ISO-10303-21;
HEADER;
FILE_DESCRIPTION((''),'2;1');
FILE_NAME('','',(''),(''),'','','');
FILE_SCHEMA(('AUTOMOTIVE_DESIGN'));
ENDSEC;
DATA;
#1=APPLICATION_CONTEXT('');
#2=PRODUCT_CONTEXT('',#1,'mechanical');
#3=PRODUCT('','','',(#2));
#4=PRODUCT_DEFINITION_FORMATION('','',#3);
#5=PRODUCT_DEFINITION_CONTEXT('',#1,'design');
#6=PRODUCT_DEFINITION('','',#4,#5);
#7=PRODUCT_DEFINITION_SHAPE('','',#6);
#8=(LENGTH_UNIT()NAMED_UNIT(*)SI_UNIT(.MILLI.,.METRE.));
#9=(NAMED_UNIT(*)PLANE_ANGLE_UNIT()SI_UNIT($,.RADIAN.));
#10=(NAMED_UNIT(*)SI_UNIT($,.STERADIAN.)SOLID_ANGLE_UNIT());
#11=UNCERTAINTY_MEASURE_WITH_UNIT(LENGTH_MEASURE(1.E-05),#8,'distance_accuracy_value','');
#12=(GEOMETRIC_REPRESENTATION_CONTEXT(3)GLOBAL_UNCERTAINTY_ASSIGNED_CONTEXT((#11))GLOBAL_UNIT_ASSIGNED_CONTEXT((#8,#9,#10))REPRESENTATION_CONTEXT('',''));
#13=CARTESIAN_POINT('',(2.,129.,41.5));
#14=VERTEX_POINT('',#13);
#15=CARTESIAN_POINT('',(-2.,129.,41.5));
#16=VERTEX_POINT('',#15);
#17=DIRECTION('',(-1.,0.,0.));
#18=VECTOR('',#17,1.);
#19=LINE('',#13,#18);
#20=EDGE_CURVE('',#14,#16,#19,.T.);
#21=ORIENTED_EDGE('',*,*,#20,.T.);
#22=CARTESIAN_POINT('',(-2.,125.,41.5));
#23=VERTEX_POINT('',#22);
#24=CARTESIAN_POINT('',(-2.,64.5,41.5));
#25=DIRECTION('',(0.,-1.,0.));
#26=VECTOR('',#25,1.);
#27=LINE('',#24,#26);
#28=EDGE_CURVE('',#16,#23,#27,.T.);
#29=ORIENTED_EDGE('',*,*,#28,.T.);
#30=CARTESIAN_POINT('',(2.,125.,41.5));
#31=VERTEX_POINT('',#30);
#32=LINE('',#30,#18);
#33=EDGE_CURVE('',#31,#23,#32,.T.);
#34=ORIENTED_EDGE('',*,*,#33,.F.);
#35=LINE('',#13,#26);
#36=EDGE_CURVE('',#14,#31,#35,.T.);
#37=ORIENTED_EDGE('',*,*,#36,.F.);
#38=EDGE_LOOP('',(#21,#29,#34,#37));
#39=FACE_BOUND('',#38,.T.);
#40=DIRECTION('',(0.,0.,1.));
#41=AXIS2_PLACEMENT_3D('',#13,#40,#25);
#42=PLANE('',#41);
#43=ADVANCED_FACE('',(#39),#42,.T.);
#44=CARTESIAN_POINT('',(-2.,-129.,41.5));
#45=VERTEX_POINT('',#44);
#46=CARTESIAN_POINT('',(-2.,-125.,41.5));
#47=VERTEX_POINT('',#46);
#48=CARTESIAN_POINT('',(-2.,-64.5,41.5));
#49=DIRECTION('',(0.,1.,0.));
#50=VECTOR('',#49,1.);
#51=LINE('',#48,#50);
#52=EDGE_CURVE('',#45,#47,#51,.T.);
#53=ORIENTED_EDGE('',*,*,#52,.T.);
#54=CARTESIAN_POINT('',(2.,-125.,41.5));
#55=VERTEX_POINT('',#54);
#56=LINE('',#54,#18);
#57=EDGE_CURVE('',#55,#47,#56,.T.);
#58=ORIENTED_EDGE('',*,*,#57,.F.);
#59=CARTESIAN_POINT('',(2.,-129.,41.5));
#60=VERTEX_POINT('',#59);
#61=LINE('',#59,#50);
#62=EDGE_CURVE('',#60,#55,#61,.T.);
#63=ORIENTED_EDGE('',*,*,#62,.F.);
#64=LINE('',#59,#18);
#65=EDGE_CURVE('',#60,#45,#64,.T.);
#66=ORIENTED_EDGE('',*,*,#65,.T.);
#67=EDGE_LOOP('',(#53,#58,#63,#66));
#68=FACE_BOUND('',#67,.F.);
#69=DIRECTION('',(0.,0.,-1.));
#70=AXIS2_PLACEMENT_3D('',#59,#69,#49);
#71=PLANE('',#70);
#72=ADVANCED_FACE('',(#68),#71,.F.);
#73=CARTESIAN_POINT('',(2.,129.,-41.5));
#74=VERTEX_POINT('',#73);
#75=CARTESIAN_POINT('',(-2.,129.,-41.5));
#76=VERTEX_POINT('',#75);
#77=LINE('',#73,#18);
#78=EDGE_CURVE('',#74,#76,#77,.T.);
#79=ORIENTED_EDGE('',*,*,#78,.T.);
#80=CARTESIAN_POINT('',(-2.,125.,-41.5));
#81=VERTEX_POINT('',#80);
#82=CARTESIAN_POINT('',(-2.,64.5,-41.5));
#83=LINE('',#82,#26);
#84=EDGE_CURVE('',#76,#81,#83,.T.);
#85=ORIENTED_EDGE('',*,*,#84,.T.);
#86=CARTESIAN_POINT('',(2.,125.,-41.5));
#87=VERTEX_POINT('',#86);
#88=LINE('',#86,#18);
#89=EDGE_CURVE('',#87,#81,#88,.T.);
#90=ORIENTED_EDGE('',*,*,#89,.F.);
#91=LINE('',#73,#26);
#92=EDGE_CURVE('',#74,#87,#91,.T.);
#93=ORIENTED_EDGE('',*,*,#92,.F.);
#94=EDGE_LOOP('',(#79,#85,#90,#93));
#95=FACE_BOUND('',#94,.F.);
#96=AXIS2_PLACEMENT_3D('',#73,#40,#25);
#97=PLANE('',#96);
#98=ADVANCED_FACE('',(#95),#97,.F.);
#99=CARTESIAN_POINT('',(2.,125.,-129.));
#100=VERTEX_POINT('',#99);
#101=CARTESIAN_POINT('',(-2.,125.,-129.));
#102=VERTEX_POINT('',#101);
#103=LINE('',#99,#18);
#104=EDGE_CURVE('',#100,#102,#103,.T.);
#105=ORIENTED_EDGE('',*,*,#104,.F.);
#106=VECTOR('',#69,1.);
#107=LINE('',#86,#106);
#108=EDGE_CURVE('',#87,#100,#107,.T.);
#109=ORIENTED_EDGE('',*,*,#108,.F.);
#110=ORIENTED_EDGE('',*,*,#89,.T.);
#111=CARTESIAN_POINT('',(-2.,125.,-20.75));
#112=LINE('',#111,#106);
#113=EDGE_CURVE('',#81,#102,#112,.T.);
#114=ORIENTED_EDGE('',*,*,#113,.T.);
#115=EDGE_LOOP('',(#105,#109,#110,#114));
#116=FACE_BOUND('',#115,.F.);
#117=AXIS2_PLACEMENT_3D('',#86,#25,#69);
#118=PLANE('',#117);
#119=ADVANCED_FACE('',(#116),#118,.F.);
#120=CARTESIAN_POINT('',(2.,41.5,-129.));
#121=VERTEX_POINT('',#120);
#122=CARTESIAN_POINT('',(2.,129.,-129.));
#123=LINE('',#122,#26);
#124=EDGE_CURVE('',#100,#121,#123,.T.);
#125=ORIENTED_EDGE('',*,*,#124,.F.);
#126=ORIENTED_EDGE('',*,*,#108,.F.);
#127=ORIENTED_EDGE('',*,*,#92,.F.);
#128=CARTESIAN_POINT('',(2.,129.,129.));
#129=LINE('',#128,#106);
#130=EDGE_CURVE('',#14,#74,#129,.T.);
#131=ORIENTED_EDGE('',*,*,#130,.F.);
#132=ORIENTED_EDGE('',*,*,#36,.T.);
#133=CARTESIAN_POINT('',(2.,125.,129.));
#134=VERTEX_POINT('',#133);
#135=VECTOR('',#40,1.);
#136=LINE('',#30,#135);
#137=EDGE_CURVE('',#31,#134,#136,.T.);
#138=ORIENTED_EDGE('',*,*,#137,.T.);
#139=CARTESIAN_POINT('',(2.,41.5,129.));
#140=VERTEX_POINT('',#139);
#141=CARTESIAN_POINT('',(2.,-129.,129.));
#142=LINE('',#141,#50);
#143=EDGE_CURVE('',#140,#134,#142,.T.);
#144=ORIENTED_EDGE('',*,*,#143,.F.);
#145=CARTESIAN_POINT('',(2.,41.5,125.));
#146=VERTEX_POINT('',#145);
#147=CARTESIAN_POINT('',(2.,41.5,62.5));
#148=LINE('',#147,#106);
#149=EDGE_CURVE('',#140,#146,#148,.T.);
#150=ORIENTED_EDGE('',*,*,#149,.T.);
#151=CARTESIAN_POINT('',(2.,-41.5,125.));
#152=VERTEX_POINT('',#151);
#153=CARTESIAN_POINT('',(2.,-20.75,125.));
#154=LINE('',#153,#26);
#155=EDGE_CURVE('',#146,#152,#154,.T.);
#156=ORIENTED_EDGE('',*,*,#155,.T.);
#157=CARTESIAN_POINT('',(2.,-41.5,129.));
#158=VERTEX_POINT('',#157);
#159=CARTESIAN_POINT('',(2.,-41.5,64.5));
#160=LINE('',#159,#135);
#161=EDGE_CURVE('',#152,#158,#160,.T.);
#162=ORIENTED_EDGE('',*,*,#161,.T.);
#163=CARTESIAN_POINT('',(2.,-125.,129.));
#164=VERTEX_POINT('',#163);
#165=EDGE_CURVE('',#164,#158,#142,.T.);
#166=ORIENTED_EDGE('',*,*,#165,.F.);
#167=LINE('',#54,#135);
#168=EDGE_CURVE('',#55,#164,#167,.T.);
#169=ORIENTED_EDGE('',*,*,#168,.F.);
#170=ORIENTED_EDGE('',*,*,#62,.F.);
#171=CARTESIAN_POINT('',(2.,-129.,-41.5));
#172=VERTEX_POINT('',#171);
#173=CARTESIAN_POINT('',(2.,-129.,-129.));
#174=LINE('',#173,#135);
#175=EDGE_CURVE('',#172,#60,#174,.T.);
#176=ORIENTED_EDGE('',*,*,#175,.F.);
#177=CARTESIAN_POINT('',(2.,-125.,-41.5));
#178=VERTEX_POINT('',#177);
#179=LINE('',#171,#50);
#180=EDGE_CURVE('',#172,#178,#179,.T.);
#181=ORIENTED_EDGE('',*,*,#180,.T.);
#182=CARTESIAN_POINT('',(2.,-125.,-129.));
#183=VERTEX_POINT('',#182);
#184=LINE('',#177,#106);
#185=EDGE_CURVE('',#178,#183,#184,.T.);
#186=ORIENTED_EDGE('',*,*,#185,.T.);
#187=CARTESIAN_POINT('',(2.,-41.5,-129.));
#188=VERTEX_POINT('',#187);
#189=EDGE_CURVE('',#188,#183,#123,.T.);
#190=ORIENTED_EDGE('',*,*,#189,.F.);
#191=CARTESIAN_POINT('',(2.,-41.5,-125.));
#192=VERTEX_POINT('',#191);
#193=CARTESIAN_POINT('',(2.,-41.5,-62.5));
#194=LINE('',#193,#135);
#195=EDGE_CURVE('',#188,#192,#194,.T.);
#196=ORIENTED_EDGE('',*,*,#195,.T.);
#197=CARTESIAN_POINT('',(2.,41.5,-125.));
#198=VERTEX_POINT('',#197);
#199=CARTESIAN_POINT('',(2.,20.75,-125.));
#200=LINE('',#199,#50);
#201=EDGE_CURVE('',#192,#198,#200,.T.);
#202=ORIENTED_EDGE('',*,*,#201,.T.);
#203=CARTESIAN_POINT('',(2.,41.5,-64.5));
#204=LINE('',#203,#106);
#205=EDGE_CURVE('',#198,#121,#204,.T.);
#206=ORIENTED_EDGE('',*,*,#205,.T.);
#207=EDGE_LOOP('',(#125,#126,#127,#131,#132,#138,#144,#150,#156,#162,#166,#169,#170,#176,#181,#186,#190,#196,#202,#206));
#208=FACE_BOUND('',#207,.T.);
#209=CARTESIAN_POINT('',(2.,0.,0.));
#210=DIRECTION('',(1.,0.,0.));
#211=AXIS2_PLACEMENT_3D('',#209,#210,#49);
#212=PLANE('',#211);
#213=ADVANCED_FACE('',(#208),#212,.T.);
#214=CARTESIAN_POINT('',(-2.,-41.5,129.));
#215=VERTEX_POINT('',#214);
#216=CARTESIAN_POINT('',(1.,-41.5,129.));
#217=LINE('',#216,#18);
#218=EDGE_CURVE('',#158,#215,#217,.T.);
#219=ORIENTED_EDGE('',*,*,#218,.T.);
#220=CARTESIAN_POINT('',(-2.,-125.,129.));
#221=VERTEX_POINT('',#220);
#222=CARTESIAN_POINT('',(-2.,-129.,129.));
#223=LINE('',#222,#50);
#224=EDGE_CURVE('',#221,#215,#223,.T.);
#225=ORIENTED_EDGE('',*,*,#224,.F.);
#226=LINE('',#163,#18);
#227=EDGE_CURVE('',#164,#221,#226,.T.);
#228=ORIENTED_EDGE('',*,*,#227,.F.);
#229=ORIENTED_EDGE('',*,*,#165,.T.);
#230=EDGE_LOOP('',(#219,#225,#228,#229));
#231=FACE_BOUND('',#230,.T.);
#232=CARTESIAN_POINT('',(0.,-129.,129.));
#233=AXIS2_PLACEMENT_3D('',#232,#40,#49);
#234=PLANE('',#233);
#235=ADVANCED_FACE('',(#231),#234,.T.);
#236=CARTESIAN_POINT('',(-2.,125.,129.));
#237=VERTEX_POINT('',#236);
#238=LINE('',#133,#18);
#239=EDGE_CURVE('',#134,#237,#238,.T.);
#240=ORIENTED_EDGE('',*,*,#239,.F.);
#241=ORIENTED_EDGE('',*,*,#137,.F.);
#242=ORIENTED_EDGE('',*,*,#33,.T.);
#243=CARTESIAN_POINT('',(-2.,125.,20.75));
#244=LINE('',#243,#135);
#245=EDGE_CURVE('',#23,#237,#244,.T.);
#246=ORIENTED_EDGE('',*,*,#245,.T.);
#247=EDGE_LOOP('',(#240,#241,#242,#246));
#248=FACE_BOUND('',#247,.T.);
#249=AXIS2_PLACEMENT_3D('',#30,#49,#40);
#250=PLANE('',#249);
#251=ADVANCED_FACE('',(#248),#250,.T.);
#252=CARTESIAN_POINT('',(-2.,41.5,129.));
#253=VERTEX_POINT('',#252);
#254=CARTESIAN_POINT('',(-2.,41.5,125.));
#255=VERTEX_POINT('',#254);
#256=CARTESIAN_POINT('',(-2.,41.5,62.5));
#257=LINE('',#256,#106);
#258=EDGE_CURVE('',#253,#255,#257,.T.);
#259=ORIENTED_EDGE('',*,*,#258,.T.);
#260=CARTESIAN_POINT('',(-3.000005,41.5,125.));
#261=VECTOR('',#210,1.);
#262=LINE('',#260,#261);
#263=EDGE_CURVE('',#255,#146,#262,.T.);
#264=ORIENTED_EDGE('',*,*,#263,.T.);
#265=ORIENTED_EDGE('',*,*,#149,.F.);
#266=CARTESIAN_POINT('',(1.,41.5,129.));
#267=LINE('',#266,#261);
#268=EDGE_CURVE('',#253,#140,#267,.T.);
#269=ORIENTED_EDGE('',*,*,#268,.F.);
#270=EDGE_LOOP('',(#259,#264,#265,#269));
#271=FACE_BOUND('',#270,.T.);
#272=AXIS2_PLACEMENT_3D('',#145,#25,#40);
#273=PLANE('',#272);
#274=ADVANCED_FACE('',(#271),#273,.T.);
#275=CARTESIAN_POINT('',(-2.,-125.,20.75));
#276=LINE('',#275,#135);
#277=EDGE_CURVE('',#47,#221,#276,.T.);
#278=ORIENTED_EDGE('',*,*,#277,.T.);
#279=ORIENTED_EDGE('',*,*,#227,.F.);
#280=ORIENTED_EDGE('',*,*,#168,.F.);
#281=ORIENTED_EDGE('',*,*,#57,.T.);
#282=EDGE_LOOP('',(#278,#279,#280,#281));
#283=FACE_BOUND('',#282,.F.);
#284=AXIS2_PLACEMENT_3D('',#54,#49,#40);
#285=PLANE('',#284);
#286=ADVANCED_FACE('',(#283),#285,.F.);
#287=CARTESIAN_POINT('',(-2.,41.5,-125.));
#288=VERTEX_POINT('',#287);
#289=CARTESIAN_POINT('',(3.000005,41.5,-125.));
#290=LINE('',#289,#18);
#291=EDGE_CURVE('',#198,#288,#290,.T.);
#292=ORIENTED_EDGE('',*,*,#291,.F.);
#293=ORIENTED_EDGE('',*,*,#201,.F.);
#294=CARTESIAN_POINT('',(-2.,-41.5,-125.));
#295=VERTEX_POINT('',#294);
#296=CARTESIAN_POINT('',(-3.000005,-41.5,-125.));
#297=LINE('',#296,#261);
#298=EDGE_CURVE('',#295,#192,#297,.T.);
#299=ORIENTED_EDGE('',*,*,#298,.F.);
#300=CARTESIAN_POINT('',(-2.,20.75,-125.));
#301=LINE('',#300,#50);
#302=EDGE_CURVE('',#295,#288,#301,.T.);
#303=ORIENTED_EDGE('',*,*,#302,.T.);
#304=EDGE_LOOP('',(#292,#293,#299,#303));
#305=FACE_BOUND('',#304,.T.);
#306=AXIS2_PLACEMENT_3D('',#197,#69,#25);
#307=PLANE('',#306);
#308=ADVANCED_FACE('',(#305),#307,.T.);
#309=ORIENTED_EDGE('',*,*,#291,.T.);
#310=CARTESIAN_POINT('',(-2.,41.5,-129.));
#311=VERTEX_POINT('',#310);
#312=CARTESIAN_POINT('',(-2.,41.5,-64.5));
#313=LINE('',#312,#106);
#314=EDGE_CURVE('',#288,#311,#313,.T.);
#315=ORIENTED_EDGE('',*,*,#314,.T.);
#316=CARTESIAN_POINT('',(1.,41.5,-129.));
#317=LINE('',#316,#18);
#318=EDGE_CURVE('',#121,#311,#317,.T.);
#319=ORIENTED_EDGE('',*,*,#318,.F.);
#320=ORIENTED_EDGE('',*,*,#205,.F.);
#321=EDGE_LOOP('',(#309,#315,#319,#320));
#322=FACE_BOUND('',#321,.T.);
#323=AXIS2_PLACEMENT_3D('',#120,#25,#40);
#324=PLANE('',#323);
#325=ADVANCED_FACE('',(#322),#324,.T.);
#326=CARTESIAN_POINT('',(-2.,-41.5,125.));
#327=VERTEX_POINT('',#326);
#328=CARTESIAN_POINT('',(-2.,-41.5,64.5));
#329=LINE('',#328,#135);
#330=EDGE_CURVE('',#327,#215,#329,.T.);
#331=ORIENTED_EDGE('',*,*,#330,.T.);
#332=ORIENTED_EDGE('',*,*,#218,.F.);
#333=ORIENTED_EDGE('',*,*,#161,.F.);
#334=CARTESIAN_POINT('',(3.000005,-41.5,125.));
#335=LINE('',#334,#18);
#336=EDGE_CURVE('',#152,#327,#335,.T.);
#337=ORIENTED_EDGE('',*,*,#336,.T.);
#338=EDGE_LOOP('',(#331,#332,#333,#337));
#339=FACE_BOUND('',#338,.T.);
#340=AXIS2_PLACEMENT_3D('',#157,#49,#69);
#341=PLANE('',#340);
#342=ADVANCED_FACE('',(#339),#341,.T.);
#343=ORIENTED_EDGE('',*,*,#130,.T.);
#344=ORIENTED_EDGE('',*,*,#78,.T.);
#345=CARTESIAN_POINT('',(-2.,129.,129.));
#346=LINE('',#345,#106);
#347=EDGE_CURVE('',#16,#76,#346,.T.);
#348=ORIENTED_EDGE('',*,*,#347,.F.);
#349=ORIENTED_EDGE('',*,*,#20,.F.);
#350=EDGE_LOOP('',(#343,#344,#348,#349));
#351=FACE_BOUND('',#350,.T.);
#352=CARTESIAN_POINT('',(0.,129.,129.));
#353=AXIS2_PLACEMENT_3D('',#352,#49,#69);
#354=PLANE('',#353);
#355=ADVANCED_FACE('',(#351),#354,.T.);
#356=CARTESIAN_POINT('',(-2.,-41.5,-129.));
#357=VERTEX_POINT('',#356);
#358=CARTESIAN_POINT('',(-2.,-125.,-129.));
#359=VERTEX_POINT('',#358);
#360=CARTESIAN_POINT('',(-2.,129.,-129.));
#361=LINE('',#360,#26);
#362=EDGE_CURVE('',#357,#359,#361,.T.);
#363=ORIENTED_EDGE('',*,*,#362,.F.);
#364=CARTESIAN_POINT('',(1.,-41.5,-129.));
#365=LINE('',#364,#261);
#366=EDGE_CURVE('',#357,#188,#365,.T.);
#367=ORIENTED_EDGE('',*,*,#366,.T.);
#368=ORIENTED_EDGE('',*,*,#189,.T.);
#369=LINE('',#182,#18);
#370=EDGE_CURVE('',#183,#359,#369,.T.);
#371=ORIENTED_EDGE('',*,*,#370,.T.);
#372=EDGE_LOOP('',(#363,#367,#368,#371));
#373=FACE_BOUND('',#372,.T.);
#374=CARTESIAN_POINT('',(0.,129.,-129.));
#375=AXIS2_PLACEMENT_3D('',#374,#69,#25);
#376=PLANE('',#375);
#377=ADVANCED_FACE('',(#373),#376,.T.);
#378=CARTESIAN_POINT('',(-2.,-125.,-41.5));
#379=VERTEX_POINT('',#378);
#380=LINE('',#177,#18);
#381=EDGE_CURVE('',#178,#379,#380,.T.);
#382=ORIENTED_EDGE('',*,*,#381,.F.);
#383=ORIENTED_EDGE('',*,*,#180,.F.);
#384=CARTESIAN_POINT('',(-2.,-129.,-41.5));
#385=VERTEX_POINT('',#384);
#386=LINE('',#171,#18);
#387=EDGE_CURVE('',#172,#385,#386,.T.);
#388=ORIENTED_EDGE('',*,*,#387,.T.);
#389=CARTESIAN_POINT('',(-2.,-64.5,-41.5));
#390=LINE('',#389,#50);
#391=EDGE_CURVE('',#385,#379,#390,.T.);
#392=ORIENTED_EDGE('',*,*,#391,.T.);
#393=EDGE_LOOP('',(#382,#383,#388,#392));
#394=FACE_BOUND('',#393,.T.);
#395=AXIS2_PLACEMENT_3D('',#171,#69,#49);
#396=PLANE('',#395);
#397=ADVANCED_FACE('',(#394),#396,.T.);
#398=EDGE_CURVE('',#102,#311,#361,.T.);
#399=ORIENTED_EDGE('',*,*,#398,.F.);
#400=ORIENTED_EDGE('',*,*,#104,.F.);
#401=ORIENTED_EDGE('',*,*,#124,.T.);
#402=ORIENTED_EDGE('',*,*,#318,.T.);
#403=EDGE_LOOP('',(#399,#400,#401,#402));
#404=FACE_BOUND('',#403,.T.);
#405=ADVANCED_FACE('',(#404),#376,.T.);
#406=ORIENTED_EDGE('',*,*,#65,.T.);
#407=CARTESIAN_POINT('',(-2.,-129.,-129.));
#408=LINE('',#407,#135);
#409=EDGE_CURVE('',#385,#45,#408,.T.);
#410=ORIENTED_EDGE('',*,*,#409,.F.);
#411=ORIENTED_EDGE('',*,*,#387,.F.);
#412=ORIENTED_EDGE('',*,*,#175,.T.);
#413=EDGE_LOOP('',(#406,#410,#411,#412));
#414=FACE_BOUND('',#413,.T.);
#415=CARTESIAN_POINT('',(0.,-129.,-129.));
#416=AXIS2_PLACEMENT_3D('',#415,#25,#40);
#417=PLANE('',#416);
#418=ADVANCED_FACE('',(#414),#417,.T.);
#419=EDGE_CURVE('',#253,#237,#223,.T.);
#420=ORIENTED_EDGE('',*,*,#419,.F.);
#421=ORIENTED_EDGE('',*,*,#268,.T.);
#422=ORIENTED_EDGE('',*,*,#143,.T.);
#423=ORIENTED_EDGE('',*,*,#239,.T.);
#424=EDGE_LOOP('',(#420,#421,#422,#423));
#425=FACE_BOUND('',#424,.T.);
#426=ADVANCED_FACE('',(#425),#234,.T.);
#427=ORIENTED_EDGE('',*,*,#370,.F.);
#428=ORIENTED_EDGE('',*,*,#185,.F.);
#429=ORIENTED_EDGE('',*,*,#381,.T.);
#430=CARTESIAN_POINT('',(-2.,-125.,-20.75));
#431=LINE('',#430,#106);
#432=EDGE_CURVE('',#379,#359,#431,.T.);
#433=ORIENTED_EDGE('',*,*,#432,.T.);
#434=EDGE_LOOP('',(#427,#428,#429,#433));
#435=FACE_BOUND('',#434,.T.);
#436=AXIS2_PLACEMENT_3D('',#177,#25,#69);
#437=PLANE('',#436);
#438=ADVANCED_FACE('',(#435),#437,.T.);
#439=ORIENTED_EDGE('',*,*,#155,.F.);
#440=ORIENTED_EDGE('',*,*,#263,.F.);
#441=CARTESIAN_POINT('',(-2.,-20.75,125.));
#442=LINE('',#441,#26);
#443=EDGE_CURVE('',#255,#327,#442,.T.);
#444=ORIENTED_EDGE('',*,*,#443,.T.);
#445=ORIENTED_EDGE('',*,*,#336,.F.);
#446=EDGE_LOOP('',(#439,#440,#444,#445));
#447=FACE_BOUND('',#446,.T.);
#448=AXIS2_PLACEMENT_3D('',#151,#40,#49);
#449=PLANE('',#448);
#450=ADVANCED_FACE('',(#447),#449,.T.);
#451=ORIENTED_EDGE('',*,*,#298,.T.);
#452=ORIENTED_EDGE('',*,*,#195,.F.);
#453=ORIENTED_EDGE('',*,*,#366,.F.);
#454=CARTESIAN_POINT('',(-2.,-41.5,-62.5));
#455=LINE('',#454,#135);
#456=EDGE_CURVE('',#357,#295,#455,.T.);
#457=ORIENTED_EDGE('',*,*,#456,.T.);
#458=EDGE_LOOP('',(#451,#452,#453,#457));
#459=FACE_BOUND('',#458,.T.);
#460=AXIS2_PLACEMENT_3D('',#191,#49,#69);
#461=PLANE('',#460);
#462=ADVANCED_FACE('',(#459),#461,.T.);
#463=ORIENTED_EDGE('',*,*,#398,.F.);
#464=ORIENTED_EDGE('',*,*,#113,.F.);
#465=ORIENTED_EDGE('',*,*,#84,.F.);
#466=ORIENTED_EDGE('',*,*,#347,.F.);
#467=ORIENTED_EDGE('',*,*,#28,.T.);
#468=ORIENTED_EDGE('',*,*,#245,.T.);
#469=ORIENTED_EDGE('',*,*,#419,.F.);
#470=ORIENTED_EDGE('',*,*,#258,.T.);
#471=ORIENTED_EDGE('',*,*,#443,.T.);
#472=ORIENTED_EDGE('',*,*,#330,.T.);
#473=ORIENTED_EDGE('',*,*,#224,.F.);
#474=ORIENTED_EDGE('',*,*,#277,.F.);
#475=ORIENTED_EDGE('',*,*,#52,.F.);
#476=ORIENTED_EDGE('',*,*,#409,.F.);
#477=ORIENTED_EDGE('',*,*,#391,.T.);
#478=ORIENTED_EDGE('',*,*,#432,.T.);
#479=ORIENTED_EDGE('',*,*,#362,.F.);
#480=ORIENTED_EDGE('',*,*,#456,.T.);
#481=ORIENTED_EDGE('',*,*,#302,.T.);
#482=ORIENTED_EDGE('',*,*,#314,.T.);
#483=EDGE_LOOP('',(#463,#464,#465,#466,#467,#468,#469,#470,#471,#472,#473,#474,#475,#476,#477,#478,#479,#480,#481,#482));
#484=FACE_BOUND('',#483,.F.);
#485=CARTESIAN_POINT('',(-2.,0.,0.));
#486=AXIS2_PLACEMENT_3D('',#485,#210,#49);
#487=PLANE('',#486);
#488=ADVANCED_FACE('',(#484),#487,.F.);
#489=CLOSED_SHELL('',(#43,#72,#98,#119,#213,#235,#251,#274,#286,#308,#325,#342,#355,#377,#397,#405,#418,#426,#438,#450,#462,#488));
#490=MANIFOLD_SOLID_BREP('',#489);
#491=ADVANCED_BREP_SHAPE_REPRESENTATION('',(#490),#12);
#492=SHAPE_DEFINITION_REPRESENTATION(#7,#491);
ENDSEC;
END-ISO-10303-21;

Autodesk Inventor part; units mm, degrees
ref_plane "YZ Plane" through (0, 0, 0) normal (1, 0, 0) x (0, 1, 0)
ref_plane "XZ Plane" through (0, 0, 0) normal (0, 1, 0) x (-1, 0, 0)
ref_plane "XY Plane" through (0, 0, 0) normal (0, 0, 1) x (1, 0, 0)
sketch "Esboço1" plane through (0, 0, 0) normal (1, 0, 0) x (0, 1, 0)
  line L0 (-129, 129) -> (129, 129)
  line L1 (129, 129) -> (129, -129)
  line L2 (129, -129) -> (-129, -129)
  line L3 (-129, -129) -> (-129, 129)
  line L4 (-129, 129) -> (129, -129) construction
  line L5 (129, 129) -> (-129, -129) construction
  point P0 (0, 0)
  dimension "d0" = 258
  dimension "d1" = 258
extrude "Extrusão1" add sketch "Esboço1" along normal mid plane 4
sketch "Esboço2" plane through (2, 0, 0) normal (1, 0, 0) x (0, 0, -1)
  line L0 (129, 129) -> (-129, 129) projected
  line L1 (-129, 129) -> (-41.5, 129)
  line L2 (-41.5, 129) -> (-41.5, 125)
  line L3 (-41.5, 125) -> (-129, 125)
  line L4 (-129, 125) -> (-129, 129)
  line L5 (129, 129) -> (41.5, 129)
  line L6 (41.5, 129) -> (41.5, 125)
  line L7 (41.5, 125) -> (129, 125)
  line L8 (129, 125) -> (129, 129)
  line L9 (-129, 129) -> (-129, -129) projected
  line L10 (-129, -129) -> (-41.5, -129)
  line L11 (-41.5, -129) -> (-41.5, -125)
  line L12 (-41.5, -125) -> (-129, -125)
  line L13 (-129, -125) -> (-129, -129)
  line L14 (129, -129) -> (129, 129) projected
  line L15 (129, -129) -> (41.5, -129)
  line L16 (41.5, -129) -> (41.5, -125)
  line L17 (41.5, -125) -> (129, -125)
  line L18 (129, -125) -> (129, -129)
  point P0 (0, 0)
  point P1 (129, -125)
  dimension "d4" = 87.5
  dimension "d5" = 4
  dimension "d6" = 87.5
  dimension "d7" = 4
  dimension "d8" = 83
  dimension "d9" = 87.5
  dimension "d10" = 4
  dimension "d11" = 87.5
  dimension "d12" = 4
  dimension "d13" = 83
extrude "Extrusão2" cut sketch "Esboço2" along normal through all both and the other way through all
sketch "Esboço3" plane through (2, 0, 0) normal (1, 0, 0) x (0, 0, -1)
  line L0 (-125, 41.5) -> (-133, 41.5)
  line L1 (-133, 41.5) -> (-133, -41.5)
  line L2 (-133, -41.5) -> (-125, -41.5)
  line L3 (-125, -41.5) -> (-125, 41.5)
  line L4 (-129, -125) -> (-129, 125) projected
  line L5 (-125, 41.5) -> (-133, -41.5) construction
  line L6 (-133, 41.5) -> (-125, -41.5) construction
  line L7 (125, -41.5) -> (133, -41.5)
  line L8 (133, -41.5) -> (133, 41.5)
  line L9 (133, 41.5) -> (125, 41.5)
  line L10 (125, 41.5) -> (125, -41.5)
  line L11 (129, 125) -> (129, -125) projected
  line L12 (125, -41.5) -> (133, 41.5) construction
  line L13 (133, -41.5) -> (125, 41.5) construction
  line L14 (-41.5, 125) -> (-129, 125) projected
  line L15 (-129, -125) -> (-41.5, -125) projected
  line L16 (129, 125) -> (41.5, 125) projected
  line L17 (41.5, -125) -> (129, -125) projected
  point P0 (0, 0)
  point P1 (-129, 0)
  point P2 (129, 0)
  dimension "d16" = 83
  dimension "d17" = 8
  dimension "d18" = 8
  dimension "d19" = 83
  dimension "d20" = 83.5
  dimension "d21" = 83.5
  dimension "d22" = 83.5
  dimension "d23" = 83.5
extrude "Extrusão3" cut sketch "Esboço3" along normal through all both and the other way through all
sketch "Esboço4" plane through (2, 0, 0) normal (1, 0, 0) x (0, 0, -1)
  point P0 (0, 0)
properties part number "FUNDO POÇO"
